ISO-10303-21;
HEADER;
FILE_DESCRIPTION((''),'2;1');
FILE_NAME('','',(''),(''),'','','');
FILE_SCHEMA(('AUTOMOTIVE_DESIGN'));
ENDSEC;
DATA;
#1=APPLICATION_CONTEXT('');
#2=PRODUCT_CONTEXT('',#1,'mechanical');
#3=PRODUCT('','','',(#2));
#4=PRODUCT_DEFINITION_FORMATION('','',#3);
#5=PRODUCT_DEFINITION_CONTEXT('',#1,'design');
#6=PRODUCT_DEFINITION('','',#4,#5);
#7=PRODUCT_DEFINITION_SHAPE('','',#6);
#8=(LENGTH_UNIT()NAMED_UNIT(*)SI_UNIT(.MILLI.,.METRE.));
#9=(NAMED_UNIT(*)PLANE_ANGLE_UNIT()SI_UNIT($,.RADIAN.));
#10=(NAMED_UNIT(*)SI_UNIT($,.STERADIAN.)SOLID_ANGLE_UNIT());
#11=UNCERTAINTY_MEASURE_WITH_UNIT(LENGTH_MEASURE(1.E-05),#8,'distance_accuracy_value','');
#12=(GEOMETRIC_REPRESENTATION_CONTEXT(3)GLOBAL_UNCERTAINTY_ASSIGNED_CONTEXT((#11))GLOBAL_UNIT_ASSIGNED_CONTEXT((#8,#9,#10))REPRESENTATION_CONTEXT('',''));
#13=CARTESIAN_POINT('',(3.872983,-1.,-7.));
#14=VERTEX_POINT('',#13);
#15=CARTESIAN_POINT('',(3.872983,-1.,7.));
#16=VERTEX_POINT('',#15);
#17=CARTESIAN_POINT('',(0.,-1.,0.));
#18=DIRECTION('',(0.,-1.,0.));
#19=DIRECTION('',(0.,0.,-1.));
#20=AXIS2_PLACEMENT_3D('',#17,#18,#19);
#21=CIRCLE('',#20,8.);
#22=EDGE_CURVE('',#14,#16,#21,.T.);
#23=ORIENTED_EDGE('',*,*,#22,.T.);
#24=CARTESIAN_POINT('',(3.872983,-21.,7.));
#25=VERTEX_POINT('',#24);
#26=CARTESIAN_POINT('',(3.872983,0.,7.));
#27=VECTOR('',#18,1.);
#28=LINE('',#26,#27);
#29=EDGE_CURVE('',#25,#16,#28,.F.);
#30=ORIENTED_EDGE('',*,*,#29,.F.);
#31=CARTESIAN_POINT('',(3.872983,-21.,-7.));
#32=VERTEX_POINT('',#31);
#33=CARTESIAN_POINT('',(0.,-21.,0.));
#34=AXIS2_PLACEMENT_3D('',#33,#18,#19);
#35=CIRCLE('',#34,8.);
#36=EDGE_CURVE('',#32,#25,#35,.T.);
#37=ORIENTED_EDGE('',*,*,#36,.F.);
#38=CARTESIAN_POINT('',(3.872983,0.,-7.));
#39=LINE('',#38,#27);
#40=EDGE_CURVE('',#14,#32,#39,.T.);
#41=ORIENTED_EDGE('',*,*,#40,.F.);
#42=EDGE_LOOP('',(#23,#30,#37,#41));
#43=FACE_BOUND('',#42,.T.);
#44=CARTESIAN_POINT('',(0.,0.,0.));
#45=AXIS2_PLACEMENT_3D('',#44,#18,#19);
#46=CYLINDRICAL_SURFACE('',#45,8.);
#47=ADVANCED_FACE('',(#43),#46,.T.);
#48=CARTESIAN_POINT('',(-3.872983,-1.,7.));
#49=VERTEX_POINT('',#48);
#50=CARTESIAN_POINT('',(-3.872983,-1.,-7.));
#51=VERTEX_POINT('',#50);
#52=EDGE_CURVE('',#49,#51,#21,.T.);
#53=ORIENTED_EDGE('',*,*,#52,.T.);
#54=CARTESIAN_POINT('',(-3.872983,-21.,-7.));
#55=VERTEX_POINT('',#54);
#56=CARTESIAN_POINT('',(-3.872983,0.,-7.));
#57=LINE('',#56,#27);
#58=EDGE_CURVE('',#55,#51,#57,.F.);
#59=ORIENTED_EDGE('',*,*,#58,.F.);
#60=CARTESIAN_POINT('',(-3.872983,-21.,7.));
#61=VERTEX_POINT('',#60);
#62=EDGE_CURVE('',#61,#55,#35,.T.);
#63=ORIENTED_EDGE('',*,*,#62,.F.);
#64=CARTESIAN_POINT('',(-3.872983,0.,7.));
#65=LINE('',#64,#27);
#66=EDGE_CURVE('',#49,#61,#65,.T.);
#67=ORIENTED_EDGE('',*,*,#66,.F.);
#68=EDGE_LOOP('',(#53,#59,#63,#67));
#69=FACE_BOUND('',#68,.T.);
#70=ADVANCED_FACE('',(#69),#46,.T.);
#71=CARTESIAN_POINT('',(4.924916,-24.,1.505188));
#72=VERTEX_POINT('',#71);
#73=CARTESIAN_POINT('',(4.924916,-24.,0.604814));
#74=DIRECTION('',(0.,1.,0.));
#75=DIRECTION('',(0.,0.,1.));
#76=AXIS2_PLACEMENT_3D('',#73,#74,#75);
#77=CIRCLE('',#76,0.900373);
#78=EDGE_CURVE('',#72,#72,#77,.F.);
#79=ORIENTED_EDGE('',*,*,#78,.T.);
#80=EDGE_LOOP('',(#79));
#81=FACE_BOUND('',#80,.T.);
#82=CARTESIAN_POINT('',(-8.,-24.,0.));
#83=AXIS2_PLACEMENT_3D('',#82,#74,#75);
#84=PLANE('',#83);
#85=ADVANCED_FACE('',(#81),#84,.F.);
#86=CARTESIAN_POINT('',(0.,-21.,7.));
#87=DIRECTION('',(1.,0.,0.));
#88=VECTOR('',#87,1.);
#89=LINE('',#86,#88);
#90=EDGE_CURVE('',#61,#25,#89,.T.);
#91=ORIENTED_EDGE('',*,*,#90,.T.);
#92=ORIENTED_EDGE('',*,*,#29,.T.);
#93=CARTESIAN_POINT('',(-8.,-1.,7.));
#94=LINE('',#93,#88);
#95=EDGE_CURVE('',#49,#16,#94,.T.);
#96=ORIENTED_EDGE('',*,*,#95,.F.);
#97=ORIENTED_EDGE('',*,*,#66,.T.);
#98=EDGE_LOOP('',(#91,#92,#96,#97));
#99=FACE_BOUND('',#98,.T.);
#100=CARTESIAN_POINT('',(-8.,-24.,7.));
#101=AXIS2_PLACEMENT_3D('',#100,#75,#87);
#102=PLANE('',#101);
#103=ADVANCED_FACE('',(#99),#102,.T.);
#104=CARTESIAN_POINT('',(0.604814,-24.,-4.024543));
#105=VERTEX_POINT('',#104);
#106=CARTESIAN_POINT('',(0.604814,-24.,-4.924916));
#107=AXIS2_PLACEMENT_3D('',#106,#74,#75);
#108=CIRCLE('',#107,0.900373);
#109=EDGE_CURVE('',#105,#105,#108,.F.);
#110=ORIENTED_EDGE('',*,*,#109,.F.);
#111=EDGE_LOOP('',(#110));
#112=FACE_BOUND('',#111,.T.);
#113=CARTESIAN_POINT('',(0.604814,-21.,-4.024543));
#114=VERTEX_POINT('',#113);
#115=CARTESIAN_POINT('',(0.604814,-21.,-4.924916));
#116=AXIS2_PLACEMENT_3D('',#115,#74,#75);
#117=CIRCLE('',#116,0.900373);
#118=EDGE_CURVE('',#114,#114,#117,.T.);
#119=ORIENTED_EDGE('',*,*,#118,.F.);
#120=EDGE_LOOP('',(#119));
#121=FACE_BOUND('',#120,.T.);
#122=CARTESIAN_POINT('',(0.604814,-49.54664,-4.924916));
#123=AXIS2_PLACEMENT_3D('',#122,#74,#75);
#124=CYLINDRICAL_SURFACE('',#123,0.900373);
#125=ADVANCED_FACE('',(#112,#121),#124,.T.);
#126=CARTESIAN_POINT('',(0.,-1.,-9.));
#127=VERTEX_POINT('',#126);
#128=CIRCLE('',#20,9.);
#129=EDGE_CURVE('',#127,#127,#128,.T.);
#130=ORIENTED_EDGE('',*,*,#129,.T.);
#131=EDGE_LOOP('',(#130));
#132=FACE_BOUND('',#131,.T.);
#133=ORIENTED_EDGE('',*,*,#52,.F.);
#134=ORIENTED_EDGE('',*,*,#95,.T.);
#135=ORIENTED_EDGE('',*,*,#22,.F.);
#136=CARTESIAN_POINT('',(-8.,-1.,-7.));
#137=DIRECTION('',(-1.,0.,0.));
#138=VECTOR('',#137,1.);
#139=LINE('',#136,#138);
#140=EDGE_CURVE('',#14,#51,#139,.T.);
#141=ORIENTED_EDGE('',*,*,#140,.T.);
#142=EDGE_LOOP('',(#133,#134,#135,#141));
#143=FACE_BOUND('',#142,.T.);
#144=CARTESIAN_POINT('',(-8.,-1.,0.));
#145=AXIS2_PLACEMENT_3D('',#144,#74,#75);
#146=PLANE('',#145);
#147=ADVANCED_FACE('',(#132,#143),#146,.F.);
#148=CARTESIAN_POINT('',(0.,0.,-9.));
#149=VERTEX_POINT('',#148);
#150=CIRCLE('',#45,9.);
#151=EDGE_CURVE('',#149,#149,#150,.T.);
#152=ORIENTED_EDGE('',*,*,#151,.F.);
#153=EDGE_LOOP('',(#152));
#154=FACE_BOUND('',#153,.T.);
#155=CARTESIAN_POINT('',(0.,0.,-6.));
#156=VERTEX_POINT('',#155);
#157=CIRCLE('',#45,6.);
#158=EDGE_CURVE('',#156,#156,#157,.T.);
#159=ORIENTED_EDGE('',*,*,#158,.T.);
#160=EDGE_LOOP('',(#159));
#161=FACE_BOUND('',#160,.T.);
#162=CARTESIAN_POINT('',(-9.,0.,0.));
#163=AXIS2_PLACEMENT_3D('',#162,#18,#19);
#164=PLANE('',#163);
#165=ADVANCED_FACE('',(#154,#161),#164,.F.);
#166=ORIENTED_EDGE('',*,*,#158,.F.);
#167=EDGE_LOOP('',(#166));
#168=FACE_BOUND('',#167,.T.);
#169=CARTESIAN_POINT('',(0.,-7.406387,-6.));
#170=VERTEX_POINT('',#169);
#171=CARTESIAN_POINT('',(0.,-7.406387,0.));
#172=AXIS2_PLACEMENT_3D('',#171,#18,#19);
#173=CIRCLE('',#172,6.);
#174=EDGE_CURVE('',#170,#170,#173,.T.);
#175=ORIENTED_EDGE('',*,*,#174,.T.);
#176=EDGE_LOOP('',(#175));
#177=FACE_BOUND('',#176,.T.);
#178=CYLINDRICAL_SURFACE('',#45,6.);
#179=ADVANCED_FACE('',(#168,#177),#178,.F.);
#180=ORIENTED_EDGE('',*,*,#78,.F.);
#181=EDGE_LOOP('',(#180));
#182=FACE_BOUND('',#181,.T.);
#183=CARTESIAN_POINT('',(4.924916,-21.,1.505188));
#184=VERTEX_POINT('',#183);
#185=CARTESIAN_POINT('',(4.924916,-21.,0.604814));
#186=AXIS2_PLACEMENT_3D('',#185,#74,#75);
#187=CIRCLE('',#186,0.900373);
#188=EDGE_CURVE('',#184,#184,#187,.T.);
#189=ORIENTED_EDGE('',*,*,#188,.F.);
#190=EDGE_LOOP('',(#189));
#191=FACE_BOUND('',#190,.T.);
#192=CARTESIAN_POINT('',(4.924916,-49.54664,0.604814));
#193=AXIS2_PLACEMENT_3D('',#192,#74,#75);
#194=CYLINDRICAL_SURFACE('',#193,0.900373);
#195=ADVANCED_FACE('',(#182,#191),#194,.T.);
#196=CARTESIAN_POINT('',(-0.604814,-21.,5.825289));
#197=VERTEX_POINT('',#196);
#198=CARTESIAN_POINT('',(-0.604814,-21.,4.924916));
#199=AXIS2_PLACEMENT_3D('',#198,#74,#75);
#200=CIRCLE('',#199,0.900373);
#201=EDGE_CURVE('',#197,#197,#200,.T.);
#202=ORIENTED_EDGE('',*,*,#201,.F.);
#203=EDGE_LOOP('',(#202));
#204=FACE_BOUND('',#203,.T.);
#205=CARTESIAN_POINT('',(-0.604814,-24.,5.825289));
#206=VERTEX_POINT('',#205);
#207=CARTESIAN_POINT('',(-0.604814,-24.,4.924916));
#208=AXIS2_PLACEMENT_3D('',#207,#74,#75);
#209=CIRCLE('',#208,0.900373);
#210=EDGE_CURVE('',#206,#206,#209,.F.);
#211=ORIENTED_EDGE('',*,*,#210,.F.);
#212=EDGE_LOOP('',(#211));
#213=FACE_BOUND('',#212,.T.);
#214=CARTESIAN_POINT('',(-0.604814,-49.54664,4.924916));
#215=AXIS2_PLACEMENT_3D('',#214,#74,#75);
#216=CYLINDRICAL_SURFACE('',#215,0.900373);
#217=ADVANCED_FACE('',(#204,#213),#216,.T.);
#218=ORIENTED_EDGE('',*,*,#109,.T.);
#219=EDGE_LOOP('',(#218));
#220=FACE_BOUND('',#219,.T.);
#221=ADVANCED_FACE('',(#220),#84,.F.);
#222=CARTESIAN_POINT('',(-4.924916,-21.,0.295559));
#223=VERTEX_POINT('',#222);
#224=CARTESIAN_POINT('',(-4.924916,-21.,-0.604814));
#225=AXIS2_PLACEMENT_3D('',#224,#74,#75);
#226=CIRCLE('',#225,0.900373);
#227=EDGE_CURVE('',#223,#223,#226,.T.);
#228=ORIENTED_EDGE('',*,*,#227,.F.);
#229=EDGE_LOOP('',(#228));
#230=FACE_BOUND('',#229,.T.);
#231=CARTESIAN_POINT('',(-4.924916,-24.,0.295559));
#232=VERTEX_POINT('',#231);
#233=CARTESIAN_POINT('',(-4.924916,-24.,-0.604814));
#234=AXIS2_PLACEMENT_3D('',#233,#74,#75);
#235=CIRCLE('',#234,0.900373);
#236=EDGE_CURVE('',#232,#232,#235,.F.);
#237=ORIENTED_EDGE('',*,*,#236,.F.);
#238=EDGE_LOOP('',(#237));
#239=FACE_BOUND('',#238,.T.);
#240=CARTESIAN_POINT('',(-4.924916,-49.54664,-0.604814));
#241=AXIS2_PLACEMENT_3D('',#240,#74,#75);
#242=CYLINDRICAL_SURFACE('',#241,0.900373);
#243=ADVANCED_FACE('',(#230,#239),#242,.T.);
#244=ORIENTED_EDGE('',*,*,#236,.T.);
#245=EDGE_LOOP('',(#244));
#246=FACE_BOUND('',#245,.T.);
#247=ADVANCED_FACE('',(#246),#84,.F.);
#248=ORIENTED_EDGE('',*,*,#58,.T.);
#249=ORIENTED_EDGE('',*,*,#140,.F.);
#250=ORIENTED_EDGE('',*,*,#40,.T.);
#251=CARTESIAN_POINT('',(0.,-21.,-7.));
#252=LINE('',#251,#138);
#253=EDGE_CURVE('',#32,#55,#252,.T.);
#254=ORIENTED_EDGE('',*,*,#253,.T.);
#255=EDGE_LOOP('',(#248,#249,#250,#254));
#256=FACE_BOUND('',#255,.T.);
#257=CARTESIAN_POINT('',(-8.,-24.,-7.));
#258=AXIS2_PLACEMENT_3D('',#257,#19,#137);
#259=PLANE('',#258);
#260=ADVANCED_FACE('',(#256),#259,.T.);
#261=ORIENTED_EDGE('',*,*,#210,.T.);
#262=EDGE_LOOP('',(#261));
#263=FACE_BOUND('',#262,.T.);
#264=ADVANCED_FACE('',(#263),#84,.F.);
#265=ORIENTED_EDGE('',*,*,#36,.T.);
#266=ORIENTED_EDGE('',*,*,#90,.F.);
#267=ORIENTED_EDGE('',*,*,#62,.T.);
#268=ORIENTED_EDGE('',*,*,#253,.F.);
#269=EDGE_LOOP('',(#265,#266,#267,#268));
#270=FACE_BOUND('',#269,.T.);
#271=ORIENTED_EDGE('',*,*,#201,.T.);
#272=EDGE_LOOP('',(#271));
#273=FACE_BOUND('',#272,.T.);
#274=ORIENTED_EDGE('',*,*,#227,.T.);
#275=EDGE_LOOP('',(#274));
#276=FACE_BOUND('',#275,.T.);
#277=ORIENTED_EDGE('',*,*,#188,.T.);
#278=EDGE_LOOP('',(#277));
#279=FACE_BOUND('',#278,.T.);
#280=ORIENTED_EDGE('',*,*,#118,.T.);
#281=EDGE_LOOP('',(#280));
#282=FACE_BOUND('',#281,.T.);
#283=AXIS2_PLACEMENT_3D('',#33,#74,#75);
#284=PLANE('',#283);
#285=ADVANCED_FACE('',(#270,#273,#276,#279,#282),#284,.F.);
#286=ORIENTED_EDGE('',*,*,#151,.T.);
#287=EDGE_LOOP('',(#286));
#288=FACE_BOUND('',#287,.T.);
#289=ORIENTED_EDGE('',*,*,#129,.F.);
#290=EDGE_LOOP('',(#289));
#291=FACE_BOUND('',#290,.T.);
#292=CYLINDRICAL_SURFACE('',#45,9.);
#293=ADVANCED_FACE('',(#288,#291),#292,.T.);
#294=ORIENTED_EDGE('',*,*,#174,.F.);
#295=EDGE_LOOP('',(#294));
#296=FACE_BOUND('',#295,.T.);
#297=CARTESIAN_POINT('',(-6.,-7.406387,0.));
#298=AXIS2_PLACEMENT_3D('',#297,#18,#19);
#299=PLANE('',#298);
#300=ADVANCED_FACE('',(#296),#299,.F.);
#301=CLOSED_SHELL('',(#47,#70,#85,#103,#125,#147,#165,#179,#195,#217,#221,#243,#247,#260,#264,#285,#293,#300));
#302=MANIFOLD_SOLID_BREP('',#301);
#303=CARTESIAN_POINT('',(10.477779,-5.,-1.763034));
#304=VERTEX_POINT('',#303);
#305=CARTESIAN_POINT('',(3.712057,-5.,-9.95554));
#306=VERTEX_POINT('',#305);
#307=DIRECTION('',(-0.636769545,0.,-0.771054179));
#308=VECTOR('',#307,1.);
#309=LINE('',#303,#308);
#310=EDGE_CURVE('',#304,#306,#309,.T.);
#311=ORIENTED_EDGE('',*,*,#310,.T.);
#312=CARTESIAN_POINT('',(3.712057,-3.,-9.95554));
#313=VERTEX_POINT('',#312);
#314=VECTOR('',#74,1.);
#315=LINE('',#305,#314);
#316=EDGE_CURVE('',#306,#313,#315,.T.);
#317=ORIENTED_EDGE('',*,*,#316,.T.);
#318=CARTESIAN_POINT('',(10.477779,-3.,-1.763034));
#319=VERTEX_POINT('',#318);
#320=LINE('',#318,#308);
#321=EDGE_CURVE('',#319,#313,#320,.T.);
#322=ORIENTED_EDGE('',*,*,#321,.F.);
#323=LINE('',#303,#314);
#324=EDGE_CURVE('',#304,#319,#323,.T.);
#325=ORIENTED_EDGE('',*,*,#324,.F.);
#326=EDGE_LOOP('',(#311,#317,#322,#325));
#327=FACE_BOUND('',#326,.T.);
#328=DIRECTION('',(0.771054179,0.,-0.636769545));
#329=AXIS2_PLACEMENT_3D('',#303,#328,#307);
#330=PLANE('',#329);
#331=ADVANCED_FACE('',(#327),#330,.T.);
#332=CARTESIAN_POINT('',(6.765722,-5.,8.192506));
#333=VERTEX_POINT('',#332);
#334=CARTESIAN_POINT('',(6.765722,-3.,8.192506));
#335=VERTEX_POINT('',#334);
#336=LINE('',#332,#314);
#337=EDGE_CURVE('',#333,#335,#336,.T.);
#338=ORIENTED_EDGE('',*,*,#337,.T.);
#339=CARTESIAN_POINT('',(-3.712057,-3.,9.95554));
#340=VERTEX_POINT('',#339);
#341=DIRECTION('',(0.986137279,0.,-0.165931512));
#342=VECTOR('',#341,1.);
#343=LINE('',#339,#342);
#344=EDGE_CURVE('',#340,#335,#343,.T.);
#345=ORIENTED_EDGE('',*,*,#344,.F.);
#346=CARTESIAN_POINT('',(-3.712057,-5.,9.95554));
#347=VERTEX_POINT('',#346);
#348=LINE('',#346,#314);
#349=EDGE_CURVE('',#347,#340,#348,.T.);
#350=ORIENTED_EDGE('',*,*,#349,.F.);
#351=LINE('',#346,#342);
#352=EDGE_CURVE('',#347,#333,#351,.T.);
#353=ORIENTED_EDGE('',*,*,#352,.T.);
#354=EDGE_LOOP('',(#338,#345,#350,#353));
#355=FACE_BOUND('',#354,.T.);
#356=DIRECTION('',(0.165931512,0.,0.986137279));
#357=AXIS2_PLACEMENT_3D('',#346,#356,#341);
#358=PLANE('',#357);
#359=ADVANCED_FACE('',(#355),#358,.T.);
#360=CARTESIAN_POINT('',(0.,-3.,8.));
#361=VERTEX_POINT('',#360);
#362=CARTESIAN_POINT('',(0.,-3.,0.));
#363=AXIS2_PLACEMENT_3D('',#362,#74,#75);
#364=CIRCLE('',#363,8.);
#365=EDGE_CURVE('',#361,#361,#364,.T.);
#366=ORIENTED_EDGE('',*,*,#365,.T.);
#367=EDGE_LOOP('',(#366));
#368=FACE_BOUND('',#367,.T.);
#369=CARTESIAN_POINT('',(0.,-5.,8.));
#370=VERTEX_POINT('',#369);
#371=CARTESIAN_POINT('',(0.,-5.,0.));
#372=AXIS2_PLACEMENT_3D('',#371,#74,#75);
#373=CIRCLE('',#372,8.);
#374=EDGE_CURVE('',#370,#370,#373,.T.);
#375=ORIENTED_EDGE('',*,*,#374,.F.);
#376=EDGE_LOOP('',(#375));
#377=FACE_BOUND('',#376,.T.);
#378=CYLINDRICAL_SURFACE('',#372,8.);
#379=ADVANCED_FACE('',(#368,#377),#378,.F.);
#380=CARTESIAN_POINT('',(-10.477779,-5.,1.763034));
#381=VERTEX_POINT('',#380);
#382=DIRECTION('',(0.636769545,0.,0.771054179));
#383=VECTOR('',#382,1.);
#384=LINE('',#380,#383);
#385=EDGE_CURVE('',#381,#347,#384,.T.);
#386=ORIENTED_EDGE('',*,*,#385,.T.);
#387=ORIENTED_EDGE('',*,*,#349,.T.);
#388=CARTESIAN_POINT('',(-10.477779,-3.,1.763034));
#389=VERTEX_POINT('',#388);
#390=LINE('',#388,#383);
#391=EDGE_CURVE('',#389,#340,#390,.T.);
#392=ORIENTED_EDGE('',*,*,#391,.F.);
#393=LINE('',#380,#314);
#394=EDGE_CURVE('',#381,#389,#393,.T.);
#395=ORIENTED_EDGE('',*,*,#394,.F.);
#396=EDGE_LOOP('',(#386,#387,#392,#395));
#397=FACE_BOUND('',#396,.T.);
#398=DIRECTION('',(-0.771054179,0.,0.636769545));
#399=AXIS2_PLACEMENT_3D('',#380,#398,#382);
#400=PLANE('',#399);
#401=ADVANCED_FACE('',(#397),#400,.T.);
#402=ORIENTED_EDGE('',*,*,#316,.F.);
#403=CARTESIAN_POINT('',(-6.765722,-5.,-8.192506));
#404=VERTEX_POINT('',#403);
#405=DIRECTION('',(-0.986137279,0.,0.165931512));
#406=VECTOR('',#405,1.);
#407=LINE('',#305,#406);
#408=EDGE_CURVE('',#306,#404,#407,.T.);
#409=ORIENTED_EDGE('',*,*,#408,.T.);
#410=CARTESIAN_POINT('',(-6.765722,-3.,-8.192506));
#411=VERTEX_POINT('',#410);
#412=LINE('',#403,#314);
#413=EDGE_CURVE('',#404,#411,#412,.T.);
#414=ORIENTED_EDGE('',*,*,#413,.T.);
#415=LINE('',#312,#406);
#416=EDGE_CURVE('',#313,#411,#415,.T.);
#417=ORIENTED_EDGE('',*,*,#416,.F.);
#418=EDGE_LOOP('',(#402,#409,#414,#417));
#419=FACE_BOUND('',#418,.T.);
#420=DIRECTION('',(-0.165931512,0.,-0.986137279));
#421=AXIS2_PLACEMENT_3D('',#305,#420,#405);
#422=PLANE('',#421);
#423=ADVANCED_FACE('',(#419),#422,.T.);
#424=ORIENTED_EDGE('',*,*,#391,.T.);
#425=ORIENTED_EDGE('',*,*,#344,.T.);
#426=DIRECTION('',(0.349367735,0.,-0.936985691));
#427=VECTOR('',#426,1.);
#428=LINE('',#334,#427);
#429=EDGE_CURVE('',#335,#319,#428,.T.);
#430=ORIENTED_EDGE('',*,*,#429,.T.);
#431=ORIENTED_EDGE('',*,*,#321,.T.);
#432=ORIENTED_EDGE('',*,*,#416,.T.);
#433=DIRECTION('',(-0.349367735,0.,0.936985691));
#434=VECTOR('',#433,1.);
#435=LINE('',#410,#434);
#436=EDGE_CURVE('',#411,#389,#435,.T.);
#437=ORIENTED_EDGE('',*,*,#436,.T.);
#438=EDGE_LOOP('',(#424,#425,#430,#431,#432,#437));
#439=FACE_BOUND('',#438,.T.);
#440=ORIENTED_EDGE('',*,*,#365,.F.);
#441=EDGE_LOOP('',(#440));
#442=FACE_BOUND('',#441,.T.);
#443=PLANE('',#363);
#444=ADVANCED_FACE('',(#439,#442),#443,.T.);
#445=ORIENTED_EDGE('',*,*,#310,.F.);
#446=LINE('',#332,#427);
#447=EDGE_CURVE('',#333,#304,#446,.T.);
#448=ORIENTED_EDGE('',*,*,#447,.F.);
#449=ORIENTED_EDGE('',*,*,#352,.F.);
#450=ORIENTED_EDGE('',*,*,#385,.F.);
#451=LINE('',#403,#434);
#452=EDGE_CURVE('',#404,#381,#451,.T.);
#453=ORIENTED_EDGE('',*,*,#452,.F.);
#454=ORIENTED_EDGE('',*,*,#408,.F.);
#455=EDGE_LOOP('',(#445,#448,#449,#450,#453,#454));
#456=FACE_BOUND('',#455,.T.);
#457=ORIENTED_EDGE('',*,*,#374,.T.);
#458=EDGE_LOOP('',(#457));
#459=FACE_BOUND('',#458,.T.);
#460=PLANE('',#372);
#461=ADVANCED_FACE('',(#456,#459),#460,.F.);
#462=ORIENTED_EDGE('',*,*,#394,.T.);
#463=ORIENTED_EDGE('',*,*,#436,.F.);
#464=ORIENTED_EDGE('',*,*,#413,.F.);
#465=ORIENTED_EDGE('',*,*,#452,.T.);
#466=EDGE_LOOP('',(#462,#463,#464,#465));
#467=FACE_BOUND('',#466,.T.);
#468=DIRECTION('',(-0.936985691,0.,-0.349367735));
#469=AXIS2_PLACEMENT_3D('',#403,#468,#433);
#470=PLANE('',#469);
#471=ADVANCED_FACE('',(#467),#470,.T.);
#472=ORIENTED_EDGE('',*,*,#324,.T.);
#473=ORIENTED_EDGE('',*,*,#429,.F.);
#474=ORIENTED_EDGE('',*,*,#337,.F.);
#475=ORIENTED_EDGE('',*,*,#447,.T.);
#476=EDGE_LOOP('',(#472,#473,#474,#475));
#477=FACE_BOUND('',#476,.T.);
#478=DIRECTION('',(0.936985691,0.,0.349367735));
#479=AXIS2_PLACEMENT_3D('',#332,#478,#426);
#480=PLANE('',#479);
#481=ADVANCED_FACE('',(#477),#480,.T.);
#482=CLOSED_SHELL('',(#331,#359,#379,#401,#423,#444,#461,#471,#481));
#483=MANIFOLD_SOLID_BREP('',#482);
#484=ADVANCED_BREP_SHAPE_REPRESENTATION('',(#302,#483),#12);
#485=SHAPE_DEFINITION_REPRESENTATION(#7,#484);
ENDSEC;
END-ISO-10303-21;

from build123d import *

# Parameters (mm, degrees)
BOSS_EXTRUDE1_START = -3
SKETCH3_R           = 8
BOSS_EXTRUDE1_DEPTH = 2
BOSS_EXTRUDE2_START = -21
SKETCH4_R           = 0.900373239
BOSS_EXTRUDE2_DEPTH = 3
CIRPATTERN1_COUNT   = 4
CUT_EXTRUDE1_START  = -1
SKETCH5_W           = 102.873705044
SKETCH5_H           = 65.633954552
SKETCH5_W_2         = 44.050821248
SKETCH5_H_2         = 14
CUT_EXTRUDE1_DEPTH  = 28.016006623


with BuildPart() as part:
    # Sketch1 → Revolve1 (revolve)
    with BuildSketch(Plane.XY, mode=Mode.PRIVATE) as revolve1_sk:
        Polygon((-9, 0), (-6, 0), (-6, -7.406387496), (0, -7.406387496), (0, -21), (-8, -21), (-8, -1), (-9, -1), align=None)
    revolve(revolve1_sk.sketch.rotate(Axis((0, 0, 0), (0, 1, 0)), 270), axis=Axis((0, 0, 0), (0, 1, 0)))

    # Sketch4 → Boss-Extrude2 (add)
    with BuildSketch(Plane(origin=(0, 0, 0), x_dir=(1, 0, 0), z_dir=(0, 1, 0)).offset(BOSS_EXTRUDE2_START)):
        with Locations(Location((0.604814269, 4.924916191, 0), (0, 0, 270))):
            Circle(SKETCH4_R)
    boss_extrude2 = extrude(amount=-BOSS_EXTRUDE2_DEPTH)

    # CirPattern1: Boss-Extrude2 ×4 about axis
    cirpattern1_axis = Axis((0, 0, 0), (0, 1, 0))
    for i in range(1, CIRPATTERN1_COUNT):
        add(boss_extrude2.rotate(cirpattern1_axis, i * 360 / CIRPATTERN1_COUNT))

    # Sketch5 → Cut-Extrude1 (cut, through all)
    with BuildSketch(Plane(origin=(0, 0, 0), x_dir=(1, 0, 0), z_dir=(0, 1, 0)).offset(CUT_EXTRUDE1_START)):
        Rectangle(SKETCH5_W, SKETCH5_H)
        Rectangle(SKETCH5_W_2, SKETCH5_H_2, mode=Mode.SUBTRACT)
    extrude(amount=-CUT_EXTRUDE1_DEPTH, mode=Mode.SUBTRACT)


with BuildPart() as body_2:
    # Sketch3 → Boss-Extrude1 (new body)
    with BuildSketch(Plane(origin=(0, 0, 0), x_dir=(1, 0, 0), z_dir=(0, 1, 0)).offset(BOSS_EXTRUDE1_START)):
        Polygon((10.477779005, 1.763034167), (3.712057126, 9.955539877), (-6.765721879, 8.19250571), (-10.477779005, -1.763034167), (-3.712057126, -9.955539877), (6.765721879, -8.19250571), align=None)
        with Locations(Location((0, 0, 0), (0, 0, 270))):
            Circle(SKETCH3_R, mode=Mode.SUBTRACT)
    extrude(amount=-BOSS_EXTRUDE1_DEPTH)


solid = Compound([part.part, body_2.part])
